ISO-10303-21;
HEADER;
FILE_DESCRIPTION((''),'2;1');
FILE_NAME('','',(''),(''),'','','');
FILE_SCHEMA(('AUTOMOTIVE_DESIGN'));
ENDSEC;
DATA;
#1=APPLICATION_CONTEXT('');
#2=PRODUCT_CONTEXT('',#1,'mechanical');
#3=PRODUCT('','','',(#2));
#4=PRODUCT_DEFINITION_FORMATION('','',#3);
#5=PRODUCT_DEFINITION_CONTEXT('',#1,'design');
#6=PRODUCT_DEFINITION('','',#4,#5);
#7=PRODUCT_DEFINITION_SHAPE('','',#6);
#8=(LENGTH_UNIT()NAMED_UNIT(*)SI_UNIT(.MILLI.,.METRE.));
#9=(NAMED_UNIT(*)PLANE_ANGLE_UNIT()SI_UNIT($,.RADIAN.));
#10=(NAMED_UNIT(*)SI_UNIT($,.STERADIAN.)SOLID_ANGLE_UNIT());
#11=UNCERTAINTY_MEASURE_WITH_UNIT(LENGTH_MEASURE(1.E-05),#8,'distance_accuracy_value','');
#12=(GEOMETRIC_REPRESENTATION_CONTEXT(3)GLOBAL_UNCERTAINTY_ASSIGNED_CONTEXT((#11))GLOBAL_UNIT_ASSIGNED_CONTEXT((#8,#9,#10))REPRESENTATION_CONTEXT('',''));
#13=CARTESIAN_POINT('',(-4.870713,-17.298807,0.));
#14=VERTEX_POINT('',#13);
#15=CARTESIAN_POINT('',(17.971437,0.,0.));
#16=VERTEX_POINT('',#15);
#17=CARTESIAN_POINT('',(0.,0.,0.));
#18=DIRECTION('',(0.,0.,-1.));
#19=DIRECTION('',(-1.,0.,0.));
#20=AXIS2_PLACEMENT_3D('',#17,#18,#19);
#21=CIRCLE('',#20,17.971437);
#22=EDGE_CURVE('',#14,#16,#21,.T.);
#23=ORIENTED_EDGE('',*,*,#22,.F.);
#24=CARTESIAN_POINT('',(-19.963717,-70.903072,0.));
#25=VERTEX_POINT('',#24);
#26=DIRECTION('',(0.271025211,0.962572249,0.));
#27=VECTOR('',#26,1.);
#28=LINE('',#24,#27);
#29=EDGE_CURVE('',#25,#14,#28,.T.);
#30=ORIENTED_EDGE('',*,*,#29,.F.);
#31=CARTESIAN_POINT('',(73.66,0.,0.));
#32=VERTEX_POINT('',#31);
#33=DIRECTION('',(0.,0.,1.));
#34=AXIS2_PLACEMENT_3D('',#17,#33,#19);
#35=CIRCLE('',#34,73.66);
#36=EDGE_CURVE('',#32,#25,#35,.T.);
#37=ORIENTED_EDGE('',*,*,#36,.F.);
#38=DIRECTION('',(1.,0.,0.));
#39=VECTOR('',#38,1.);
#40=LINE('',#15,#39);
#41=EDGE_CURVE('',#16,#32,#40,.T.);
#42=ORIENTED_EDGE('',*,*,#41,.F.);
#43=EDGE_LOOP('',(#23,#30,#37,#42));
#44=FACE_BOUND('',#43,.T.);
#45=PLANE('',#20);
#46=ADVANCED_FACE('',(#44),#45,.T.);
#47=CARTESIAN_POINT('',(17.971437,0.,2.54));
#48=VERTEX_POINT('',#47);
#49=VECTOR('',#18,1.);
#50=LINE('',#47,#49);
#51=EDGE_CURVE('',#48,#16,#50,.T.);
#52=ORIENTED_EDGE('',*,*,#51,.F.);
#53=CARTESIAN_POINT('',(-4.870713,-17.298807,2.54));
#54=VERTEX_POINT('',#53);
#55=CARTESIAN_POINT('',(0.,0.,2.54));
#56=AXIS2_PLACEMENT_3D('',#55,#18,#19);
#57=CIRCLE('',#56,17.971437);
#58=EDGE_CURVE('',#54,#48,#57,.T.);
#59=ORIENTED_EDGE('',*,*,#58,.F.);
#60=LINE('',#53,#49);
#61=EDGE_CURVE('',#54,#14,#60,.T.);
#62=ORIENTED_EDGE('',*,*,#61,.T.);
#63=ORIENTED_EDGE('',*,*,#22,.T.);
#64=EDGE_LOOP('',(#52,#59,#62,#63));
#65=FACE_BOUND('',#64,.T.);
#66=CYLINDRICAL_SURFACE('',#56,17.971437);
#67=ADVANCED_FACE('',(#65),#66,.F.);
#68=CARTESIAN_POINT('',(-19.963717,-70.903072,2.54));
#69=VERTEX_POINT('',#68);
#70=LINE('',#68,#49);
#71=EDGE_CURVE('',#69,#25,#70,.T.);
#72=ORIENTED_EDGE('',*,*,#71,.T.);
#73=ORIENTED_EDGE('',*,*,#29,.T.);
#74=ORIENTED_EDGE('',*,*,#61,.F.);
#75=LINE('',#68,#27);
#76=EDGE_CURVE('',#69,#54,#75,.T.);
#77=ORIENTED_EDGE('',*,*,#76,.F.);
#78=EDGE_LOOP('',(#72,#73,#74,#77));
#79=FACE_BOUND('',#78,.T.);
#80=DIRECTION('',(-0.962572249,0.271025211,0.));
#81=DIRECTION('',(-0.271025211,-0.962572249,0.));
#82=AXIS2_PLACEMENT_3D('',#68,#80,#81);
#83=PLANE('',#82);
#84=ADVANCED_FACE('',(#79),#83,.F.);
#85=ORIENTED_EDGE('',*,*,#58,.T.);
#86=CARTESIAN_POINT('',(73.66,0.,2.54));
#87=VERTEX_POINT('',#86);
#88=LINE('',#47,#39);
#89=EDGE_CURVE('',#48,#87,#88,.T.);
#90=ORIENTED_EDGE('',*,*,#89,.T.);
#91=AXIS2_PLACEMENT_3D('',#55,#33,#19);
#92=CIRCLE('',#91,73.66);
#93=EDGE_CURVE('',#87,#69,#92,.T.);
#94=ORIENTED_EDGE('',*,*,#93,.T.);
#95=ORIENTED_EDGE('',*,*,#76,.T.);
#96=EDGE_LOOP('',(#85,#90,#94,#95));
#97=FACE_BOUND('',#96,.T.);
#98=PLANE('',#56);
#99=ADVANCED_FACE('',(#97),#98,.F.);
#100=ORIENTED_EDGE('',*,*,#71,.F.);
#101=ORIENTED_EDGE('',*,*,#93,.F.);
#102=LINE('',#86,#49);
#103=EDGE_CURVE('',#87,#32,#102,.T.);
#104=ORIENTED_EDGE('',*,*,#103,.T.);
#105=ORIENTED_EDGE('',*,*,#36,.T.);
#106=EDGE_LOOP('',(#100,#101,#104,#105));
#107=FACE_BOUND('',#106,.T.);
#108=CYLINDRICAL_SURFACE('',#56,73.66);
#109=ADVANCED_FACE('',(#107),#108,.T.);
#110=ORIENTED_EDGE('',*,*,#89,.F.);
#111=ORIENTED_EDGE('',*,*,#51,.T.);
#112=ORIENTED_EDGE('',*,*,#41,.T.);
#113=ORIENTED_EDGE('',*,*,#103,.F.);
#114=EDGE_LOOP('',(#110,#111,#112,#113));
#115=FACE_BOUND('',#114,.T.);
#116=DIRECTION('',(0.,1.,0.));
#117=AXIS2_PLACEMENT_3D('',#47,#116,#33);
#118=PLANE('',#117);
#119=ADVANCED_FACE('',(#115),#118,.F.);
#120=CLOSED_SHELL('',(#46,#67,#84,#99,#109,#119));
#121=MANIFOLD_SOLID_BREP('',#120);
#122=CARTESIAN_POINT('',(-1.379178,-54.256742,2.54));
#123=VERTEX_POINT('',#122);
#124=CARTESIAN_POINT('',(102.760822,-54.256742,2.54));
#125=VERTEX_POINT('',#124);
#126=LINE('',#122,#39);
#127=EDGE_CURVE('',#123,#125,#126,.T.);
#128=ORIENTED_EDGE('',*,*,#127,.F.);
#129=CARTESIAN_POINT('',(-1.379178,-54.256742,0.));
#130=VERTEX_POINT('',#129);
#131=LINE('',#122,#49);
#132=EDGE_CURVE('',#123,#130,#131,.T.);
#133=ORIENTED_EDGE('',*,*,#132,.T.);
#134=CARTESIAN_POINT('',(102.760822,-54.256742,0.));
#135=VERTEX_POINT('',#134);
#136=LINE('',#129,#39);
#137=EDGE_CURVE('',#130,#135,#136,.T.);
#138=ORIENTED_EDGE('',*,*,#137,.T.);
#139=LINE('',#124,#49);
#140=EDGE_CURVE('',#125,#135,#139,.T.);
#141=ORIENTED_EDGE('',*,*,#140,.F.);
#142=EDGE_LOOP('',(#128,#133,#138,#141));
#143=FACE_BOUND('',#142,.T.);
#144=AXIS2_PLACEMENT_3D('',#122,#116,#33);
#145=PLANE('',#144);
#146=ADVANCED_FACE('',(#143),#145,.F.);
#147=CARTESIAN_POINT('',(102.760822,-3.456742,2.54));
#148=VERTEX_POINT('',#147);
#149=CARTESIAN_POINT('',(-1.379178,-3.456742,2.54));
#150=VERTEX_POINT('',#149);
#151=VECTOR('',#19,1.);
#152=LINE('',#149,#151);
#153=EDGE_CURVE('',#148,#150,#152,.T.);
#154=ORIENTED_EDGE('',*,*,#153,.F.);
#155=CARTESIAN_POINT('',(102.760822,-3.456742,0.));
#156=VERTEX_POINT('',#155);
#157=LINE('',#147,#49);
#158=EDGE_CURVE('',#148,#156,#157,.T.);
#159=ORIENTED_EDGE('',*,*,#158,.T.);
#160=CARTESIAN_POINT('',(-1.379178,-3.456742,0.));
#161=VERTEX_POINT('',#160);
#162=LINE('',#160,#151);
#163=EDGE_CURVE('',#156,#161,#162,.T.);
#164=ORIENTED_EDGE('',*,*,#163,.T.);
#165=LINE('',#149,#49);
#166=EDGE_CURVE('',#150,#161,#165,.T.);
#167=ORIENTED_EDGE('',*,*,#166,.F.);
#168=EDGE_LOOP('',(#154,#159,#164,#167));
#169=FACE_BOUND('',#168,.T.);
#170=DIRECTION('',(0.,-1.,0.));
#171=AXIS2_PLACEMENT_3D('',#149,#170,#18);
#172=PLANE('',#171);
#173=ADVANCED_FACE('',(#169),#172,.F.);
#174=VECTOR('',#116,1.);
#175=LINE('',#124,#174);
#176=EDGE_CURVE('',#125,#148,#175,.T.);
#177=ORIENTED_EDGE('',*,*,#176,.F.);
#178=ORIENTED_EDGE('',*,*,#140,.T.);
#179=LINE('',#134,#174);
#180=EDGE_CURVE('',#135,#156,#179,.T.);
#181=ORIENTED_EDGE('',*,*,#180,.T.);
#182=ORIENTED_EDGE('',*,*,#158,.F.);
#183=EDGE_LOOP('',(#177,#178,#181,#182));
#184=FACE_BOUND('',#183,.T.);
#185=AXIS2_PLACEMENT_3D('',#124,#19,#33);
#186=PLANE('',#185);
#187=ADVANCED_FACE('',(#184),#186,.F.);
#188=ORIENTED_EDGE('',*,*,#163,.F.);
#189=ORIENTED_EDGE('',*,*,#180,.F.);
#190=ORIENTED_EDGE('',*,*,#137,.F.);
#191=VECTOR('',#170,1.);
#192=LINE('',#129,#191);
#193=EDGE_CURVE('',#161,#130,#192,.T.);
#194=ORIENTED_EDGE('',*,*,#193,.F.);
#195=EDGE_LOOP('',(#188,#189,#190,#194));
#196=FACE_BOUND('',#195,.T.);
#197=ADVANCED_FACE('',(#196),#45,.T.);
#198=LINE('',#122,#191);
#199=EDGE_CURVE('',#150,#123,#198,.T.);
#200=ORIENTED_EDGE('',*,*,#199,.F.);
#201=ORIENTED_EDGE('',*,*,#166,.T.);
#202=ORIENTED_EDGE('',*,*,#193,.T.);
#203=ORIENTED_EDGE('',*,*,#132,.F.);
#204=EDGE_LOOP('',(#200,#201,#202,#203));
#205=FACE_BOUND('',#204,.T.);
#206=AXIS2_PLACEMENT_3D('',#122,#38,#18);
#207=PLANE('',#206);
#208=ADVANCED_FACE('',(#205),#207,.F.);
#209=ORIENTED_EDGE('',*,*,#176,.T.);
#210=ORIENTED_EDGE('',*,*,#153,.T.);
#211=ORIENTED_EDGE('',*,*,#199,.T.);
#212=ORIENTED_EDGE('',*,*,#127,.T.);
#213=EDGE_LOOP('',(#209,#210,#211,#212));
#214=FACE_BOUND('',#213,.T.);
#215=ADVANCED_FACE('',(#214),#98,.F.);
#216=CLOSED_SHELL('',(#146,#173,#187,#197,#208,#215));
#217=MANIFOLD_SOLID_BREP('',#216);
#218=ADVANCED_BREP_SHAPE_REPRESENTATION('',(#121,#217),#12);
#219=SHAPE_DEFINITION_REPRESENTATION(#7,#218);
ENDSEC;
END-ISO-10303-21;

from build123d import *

# Parameters (mm, degrees)
BOSS_EXTRUDE1_DEPTH   = 2.54
SKETCH2_W             = 104.14
SKETCH2_H             = 50.8
BOSS_EXTRUDE1_2_DEPTH = 2.54


with BuildPart() as part:
    # Sketch2 → Boss-Extrude1 (new body)
    with BuildSketch(Plane.XY):
        with BuildLine():
            Line((17.971437451, 0), (73.66, 0))
            ThreePointArc((73.66, 0), (-44.47059818, 58.721048164), (-19.96371701, -70.903071888))
            Line((-19.96371701, -70.903071888), (-4.870712619, -17.298806972))
            ThreePointArc((-4.870712619, -17.298806972), (-10.849858453, 14.326658216), (17.971437451, 0))
        make_face()
    extrude(amount=BOSS_EXTRUDE1_DEPTH)


with BuildPart() as body_2:
    # Sketch2 → Boss-Extrude1 2 (new body)
    with BuildSketch(Plane.XY):
        with Locations((50.690821842, -28.856742093)):
            Rectangle(SKETCH2_W, SKETCH2_H)
    extrude(amount=BOSS_EXTRUDE1_2_DEPTH)


solid = Compound([part.part, body_2.part])
